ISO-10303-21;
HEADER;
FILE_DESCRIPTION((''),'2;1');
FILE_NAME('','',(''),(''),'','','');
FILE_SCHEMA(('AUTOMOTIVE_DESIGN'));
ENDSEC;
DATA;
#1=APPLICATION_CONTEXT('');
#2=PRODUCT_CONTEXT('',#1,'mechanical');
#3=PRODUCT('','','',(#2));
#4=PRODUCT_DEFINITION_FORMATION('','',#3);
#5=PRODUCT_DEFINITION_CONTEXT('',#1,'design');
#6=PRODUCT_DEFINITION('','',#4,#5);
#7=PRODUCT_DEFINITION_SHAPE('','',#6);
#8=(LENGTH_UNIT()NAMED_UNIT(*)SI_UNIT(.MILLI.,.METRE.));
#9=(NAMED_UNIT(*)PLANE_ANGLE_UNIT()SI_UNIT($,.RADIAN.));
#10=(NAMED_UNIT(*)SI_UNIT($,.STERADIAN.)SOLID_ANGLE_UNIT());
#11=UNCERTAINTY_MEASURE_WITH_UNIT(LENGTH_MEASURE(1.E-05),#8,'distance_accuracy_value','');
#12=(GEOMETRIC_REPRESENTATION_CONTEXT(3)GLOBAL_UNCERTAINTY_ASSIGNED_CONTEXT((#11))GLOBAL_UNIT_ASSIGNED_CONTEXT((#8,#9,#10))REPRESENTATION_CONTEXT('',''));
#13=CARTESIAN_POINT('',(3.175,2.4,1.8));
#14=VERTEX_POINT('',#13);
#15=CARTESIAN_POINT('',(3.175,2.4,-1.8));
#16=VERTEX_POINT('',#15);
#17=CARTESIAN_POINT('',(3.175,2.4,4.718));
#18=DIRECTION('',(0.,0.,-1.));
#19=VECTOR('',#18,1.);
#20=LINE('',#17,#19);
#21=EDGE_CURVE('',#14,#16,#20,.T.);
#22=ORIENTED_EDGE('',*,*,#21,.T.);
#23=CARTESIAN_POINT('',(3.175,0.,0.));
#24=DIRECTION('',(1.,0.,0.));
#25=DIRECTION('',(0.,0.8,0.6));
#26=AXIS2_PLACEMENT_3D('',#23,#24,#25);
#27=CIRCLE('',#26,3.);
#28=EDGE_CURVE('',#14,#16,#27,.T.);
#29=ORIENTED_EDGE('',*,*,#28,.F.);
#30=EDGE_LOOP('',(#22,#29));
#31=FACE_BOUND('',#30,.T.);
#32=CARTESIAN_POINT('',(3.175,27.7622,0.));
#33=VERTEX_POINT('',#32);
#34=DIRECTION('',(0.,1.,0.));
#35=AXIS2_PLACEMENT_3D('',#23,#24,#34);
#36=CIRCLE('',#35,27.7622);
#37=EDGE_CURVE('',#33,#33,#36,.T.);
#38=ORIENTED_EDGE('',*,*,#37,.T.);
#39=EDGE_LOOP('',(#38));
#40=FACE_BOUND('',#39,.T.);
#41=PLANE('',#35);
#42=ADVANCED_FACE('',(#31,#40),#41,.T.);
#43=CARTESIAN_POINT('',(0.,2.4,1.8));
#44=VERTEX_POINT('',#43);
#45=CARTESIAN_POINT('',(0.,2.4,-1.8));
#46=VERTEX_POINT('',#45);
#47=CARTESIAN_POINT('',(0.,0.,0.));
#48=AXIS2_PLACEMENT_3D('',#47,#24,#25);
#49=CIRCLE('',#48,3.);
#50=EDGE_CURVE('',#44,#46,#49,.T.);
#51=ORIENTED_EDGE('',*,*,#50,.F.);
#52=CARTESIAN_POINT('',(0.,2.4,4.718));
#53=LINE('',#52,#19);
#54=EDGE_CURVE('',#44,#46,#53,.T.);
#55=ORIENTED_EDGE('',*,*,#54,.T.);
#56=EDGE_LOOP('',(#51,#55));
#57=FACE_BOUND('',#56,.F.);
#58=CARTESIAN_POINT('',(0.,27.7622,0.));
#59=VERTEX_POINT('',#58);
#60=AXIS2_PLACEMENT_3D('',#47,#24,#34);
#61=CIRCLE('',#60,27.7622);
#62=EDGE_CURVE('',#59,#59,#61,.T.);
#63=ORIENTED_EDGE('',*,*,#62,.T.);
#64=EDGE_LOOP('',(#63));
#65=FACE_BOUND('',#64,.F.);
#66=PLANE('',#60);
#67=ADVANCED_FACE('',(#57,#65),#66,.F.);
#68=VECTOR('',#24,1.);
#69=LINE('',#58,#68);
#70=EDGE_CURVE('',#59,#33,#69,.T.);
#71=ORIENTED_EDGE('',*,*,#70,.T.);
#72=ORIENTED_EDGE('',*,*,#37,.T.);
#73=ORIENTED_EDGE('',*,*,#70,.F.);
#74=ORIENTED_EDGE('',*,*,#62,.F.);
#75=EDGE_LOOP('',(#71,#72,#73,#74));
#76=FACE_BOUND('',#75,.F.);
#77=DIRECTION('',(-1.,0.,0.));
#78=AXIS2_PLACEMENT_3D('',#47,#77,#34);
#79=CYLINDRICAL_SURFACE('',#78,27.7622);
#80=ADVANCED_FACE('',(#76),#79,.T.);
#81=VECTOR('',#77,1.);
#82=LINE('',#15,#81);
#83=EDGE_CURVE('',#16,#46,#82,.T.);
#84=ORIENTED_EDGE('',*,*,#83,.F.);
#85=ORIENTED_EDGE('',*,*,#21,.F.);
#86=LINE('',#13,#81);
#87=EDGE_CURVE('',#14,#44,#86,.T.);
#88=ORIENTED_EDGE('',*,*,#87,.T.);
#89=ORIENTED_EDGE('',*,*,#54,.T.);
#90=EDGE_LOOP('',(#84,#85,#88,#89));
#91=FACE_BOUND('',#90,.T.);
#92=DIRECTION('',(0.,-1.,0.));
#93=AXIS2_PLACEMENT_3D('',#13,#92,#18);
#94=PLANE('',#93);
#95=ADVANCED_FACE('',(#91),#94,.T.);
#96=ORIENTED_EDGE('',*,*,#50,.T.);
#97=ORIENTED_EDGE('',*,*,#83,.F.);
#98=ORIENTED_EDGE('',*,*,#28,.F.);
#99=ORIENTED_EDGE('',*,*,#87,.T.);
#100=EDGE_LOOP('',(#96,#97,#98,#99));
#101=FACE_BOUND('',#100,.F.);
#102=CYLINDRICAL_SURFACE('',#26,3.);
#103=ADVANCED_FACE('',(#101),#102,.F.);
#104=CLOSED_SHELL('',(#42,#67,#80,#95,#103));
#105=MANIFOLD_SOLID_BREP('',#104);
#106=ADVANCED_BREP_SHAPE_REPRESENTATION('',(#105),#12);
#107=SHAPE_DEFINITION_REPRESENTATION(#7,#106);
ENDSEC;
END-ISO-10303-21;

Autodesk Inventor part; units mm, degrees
ref_plane "YZ Plane" through (0, 0, 0) normal (1, 0, 0) x (0, 1, 0)
ref_plane "XZ Plane" through (0, 0, 0) normal (0, 1, 0) x (-1, 0, 0)
ref_plane "XY Plane" through (0, 0, 0) normal (0, 0, 1) x (1, 0, 0)
sketch "Sketch1" plane through (0, 0, 0) normal (1, 0, 0) x (0, 1, 0)
  circle A0 centre (0, 0) radius 27.7622
  dimension "d0" = 55.5244
extrude "Extrusion1" add sketch "Sketch1" along normal blind 3.175
sketch "Sketch2" plane through (3.175, 0, 0) normal (1, 0, 0) x (0, 0, -1)
  arc A0 (-1.8, 2.4) -> (1.8, 2.4) centre (0, 0) ccw
  line L0 (0, -3) -> (4.3918, -3) construction
  line L1 (-4.718, 2.4) -> (9.613, 2.4)
  dimension "d3" = 6
  dimension "d4" = 5.4
extrude "Extrusion2" cut sketch "Sketch2" against normal blind 3.175
properties part number "wheel_acry"
